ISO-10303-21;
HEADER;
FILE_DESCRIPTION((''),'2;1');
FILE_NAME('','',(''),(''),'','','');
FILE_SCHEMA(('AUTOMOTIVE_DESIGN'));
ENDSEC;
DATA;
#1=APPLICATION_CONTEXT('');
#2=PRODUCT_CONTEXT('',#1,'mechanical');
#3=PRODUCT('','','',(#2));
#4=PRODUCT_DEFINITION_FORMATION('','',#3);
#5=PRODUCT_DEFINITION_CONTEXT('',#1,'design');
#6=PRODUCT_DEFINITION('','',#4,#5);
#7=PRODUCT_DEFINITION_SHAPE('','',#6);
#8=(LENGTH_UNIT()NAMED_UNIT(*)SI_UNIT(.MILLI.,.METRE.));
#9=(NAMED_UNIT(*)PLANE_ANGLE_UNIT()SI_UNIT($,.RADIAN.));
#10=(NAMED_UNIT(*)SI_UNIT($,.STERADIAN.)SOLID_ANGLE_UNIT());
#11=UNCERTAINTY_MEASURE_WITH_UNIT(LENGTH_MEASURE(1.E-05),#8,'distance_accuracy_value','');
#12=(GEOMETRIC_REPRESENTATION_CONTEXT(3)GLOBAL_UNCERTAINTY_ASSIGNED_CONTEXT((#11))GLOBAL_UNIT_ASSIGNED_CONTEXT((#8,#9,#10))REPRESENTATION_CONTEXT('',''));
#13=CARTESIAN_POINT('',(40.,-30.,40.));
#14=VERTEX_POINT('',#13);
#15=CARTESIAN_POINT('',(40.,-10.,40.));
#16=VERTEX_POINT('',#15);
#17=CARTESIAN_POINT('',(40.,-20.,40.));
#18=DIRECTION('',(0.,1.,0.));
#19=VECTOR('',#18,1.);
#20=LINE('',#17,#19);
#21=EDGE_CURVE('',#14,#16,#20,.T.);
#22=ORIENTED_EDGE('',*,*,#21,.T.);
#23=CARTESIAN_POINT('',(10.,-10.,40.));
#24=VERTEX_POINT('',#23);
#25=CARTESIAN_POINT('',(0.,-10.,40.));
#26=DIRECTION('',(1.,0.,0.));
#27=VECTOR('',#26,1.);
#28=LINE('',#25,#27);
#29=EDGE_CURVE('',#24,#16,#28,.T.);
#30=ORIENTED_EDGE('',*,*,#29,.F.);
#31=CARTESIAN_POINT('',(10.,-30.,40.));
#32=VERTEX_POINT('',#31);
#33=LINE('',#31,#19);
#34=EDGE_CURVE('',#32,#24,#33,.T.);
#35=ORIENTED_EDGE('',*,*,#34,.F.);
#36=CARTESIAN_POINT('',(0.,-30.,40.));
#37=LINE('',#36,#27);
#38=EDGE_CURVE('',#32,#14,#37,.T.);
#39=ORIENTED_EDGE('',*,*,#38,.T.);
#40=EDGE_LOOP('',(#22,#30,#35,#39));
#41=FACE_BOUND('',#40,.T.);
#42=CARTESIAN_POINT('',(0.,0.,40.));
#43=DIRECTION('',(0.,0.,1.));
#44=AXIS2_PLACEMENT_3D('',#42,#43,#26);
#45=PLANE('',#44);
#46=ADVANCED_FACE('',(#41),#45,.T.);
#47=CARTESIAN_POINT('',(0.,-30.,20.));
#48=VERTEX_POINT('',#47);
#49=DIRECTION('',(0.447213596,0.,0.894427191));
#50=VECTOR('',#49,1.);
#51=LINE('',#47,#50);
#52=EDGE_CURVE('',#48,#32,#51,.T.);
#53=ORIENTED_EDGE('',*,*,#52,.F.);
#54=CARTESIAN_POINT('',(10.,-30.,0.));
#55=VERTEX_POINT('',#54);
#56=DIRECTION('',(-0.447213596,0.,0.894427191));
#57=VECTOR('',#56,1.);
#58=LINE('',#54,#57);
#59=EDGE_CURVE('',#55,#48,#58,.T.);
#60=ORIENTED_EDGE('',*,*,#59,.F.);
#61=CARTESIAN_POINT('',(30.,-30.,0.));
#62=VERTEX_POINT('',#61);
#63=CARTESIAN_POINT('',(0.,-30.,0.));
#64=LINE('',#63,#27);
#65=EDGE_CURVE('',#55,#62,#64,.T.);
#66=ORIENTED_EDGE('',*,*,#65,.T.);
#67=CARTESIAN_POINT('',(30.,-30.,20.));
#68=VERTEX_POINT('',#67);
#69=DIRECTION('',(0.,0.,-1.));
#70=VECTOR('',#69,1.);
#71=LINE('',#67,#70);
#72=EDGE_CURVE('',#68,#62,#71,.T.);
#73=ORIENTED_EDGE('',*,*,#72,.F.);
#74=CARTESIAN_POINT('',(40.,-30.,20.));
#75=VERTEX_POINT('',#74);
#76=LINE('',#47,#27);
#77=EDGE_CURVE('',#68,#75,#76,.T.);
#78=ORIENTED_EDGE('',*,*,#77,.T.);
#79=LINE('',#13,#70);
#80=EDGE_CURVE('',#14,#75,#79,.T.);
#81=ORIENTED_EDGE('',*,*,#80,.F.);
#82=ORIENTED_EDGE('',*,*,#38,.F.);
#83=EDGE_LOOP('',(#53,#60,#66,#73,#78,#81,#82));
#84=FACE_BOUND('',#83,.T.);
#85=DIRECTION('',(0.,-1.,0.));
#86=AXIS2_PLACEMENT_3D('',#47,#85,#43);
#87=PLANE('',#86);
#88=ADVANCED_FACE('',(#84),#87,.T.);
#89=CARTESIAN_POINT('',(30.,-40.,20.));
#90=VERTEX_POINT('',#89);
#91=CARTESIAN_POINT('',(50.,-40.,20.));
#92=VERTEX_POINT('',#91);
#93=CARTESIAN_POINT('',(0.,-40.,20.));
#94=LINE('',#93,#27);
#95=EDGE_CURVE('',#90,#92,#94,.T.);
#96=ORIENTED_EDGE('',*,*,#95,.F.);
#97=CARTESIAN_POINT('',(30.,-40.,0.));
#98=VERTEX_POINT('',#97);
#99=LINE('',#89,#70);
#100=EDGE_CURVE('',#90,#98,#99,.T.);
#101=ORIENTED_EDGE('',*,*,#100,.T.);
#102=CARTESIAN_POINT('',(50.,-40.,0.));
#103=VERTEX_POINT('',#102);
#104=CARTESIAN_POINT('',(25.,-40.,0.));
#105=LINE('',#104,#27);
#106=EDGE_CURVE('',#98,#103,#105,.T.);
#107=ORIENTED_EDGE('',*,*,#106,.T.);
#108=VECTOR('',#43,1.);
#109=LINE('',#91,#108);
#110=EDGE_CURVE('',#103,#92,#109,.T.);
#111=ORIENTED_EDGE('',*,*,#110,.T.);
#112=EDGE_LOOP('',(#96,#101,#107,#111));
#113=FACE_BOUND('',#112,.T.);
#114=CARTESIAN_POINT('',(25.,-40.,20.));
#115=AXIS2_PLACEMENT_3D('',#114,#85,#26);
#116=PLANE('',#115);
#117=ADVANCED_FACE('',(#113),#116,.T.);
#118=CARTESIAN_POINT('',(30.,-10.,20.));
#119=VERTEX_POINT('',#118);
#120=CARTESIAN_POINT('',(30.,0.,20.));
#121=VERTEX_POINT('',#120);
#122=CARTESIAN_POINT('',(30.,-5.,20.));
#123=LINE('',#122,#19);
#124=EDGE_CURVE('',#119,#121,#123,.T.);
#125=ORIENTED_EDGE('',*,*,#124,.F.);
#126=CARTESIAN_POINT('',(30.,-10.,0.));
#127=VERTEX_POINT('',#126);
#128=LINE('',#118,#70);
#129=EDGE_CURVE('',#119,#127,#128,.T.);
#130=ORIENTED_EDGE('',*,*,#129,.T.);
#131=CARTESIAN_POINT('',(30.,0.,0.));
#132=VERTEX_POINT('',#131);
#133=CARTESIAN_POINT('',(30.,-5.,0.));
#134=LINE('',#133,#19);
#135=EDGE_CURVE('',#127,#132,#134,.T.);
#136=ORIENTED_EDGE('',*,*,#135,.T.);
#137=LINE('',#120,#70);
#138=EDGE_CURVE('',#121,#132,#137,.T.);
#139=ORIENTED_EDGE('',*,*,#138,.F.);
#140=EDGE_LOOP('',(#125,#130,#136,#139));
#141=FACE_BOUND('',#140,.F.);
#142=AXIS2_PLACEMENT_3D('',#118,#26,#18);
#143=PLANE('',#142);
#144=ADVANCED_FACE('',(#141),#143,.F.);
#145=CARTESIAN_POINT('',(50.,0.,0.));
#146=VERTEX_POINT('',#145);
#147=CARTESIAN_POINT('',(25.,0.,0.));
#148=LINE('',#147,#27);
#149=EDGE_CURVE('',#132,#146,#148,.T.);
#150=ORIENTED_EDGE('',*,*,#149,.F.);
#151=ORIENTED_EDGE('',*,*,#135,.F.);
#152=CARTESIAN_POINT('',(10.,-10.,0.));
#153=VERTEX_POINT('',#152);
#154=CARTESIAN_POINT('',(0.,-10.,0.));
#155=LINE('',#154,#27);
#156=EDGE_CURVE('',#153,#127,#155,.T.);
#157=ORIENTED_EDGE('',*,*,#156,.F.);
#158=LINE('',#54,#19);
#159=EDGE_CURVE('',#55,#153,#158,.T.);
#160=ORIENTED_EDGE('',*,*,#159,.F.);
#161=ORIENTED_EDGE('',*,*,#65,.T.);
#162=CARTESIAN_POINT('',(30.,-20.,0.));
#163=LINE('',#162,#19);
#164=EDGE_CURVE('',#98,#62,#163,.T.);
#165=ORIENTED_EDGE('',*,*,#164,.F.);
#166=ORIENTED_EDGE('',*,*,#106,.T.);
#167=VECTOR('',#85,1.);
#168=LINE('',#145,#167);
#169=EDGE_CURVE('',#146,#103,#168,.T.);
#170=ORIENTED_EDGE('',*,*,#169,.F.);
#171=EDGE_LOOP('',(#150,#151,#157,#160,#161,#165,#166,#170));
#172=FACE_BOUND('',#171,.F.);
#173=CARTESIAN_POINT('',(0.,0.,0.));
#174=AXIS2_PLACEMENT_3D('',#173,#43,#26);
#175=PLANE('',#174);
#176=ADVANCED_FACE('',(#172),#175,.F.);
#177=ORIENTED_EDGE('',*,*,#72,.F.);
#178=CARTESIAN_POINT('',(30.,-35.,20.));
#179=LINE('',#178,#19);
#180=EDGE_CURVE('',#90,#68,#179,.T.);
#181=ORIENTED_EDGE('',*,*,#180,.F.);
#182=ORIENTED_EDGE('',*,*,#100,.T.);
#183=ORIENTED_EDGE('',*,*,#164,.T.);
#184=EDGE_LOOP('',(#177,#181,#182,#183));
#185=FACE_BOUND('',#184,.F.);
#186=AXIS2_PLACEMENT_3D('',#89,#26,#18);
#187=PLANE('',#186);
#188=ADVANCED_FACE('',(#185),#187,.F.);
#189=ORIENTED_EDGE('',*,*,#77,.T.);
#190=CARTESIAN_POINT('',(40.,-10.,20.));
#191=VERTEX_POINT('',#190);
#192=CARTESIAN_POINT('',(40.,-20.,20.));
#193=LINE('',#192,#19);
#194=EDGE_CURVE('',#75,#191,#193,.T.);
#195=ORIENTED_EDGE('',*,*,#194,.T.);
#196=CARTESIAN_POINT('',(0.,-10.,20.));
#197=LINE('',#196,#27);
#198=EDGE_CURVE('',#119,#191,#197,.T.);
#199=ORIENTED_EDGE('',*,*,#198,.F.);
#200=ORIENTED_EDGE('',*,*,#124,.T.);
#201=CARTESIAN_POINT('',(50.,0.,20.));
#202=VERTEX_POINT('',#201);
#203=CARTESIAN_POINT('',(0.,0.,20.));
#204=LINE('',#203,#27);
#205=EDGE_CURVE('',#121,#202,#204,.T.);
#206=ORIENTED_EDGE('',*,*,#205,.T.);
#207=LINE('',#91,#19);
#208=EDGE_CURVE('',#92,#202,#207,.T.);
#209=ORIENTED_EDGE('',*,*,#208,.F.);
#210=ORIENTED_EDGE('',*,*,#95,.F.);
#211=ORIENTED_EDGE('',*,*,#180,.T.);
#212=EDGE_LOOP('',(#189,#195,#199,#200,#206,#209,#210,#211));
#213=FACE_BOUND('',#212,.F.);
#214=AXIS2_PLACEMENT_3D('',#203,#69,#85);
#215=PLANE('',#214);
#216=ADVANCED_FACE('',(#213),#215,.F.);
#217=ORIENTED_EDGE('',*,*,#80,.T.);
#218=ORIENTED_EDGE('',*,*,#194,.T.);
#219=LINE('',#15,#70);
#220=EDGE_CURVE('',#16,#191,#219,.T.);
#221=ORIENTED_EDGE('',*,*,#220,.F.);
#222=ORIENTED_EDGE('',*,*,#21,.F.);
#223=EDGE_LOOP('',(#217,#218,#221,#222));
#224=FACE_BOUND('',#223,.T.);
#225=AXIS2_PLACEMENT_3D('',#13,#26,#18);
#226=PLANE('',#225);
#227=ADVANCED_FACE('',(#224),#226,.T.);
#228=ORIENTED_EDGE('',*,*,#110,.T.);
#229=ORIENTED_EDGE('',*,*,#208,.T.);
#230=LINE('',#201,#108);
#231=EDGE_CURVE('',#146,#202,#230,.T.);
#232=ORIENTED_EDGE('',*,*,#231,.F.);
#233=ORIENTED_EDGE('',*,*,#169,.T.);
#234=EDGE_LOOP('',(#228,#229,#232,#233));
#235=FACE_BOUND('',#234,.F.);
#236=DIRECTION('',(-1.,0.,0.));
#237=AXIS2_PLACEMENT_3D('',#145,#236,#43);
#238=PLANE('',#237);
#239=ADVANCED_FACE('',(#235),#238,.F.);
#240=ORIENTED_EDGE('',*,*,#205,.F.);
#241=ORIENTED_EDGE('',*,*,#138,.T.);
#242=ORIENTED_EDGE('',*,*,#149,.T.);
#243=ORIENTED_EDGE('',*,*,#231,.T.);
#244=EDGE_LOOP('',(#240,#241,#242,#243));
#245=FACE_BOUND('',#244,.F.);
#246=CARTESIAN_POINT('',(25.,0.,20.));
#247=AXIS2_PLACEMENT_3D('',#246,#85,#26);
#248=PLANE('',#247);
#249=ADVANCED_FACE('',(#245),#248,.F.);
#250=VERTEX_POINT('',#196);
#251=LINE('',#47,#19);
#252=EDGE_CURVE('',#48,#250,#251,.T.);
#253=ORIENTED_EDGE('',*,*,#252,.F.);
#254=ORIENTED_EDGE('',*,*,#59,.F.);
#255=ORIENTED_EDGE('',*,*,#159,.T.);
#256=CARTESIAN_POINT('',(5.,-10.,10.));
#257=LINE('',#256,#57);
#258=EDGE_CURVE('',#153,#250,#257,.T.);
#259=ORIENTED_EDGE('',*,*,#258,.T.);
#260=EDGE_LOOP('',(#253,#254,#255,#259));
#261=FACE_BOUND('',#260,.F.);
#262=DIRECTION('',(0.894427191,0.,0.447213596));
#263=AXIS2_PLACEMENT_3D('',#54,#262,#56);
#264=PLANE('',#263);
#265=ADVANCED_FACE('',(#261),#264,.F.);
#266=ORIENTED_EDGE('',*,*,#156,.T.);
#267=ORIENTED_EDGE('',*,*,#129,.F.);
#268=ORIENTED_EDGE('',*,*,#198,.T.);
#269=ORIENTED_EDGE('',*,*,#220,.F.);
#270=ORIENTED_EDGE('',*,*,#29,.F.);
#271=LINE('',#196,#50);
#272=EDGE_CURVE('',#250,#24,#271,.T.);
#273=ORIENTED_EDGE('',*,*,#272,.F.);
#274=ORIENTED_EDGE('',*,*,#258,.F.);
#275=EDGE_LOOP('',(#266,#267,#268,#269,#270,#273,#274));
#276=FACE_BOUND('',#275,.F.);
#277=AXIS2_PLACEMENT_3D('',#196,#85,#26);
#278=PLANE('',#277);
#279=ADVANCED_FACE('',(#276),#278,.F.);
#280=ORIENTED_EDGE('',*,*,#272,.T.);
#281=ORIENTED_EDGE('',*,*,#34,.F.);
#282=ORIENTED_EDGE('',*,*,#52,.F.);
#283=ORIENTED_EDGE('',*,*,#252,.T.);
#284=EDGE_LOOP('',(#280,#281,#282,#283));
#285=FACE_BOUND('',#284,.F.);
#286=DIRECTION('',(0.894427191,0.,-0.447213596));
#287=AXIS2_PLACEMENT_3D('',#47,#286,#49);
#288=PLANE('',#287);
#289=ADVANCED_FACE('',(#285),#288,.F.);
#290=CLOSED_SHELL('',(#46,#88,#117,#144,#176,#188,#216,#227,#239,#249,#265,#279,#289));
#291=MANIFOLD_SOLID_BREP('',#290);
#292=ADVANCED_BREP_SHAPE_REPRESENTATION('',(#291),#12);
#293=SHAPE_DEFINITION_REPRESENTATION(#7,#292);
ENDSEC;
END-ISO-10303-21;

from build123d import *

# Parameters (mm, degrees)
F0_W      = 50
F0_H      = 40
F1_DEPTH  = 40
F2_W      = 10
F2_H      = 20
F3_DEPTH  = 50.001
F4_W      = 30
F4_H      = 10
F5_DEPTH  = 20.001
F6_W      = 10
F6_H      = 20
F7_DEPTH  = 20
F9_DEPTH  = 30.001
F10_DEPTH = 30.001


with BuildPart() as f1:
    # F0 (on Front) → F1 (new body)
    with BuildSketch(Plane.XZ):
        with Locations((25, 20)):
            Rectangle(F0_W, F0_H)
    extrude(amount=F1_DEPTH)

    # F2 (on face) → F3 (cut, through all)
    with BuildSketch(Plane(origin=(0, 0, 0), x_dir=(0, -1, 0), z_dir=(-1, 0, 0))):
        with Locations((5, 30)):
            Rectangle(F2_W, F2_H)
        with Locations((35, 30)):
            Rectangle(F2_W, F2_H)
    extrude(amount=-F3_DEPTH, mode=Mode.SUBTRACT)

    # F4 (on face) → F5 (cut, through all)
    with BuildSketch(Plane.XY.offset(20)):
        with Locations((15, -5)):
            Rectangle(F4_W, F4_H)
        with Locations((15, -35)):
            Rectangle(F4_W, F4_H)
    extrude(amount=-F5_DEPTH, mode=Mode.SUBTRACT)

    # F6 (on face) → F7 (cut, through all)
    with BuildSketch(Plane.XY.offset(40)):
        with Locations((45, -20)):
            Rectangle(F6_W, F6_H)
    extrude(amount=-F7_DEPTH, mode=Mode.SUBTRACT)

    # F8 (on face) → F9 (cut, through all)
    with BuildSketch(Plane.XZ.offset(30)):
        Polygon((10, 40), (0, 40), (0, 20), align=None)
    extrude(amount=-F9_DEPTH, mode=Mode.SUBTRACT)

    # F8 (on face) → F10 (cut, through all)
    with BuildSketch(Plane.XZ.offset(30)):
        Polygon((10, 0), (0, 20), (0, 0), align=None)
    extrude(amount=-F10_DEPTH, mode=Mode.SUBTRACT)


solid = f1.part
